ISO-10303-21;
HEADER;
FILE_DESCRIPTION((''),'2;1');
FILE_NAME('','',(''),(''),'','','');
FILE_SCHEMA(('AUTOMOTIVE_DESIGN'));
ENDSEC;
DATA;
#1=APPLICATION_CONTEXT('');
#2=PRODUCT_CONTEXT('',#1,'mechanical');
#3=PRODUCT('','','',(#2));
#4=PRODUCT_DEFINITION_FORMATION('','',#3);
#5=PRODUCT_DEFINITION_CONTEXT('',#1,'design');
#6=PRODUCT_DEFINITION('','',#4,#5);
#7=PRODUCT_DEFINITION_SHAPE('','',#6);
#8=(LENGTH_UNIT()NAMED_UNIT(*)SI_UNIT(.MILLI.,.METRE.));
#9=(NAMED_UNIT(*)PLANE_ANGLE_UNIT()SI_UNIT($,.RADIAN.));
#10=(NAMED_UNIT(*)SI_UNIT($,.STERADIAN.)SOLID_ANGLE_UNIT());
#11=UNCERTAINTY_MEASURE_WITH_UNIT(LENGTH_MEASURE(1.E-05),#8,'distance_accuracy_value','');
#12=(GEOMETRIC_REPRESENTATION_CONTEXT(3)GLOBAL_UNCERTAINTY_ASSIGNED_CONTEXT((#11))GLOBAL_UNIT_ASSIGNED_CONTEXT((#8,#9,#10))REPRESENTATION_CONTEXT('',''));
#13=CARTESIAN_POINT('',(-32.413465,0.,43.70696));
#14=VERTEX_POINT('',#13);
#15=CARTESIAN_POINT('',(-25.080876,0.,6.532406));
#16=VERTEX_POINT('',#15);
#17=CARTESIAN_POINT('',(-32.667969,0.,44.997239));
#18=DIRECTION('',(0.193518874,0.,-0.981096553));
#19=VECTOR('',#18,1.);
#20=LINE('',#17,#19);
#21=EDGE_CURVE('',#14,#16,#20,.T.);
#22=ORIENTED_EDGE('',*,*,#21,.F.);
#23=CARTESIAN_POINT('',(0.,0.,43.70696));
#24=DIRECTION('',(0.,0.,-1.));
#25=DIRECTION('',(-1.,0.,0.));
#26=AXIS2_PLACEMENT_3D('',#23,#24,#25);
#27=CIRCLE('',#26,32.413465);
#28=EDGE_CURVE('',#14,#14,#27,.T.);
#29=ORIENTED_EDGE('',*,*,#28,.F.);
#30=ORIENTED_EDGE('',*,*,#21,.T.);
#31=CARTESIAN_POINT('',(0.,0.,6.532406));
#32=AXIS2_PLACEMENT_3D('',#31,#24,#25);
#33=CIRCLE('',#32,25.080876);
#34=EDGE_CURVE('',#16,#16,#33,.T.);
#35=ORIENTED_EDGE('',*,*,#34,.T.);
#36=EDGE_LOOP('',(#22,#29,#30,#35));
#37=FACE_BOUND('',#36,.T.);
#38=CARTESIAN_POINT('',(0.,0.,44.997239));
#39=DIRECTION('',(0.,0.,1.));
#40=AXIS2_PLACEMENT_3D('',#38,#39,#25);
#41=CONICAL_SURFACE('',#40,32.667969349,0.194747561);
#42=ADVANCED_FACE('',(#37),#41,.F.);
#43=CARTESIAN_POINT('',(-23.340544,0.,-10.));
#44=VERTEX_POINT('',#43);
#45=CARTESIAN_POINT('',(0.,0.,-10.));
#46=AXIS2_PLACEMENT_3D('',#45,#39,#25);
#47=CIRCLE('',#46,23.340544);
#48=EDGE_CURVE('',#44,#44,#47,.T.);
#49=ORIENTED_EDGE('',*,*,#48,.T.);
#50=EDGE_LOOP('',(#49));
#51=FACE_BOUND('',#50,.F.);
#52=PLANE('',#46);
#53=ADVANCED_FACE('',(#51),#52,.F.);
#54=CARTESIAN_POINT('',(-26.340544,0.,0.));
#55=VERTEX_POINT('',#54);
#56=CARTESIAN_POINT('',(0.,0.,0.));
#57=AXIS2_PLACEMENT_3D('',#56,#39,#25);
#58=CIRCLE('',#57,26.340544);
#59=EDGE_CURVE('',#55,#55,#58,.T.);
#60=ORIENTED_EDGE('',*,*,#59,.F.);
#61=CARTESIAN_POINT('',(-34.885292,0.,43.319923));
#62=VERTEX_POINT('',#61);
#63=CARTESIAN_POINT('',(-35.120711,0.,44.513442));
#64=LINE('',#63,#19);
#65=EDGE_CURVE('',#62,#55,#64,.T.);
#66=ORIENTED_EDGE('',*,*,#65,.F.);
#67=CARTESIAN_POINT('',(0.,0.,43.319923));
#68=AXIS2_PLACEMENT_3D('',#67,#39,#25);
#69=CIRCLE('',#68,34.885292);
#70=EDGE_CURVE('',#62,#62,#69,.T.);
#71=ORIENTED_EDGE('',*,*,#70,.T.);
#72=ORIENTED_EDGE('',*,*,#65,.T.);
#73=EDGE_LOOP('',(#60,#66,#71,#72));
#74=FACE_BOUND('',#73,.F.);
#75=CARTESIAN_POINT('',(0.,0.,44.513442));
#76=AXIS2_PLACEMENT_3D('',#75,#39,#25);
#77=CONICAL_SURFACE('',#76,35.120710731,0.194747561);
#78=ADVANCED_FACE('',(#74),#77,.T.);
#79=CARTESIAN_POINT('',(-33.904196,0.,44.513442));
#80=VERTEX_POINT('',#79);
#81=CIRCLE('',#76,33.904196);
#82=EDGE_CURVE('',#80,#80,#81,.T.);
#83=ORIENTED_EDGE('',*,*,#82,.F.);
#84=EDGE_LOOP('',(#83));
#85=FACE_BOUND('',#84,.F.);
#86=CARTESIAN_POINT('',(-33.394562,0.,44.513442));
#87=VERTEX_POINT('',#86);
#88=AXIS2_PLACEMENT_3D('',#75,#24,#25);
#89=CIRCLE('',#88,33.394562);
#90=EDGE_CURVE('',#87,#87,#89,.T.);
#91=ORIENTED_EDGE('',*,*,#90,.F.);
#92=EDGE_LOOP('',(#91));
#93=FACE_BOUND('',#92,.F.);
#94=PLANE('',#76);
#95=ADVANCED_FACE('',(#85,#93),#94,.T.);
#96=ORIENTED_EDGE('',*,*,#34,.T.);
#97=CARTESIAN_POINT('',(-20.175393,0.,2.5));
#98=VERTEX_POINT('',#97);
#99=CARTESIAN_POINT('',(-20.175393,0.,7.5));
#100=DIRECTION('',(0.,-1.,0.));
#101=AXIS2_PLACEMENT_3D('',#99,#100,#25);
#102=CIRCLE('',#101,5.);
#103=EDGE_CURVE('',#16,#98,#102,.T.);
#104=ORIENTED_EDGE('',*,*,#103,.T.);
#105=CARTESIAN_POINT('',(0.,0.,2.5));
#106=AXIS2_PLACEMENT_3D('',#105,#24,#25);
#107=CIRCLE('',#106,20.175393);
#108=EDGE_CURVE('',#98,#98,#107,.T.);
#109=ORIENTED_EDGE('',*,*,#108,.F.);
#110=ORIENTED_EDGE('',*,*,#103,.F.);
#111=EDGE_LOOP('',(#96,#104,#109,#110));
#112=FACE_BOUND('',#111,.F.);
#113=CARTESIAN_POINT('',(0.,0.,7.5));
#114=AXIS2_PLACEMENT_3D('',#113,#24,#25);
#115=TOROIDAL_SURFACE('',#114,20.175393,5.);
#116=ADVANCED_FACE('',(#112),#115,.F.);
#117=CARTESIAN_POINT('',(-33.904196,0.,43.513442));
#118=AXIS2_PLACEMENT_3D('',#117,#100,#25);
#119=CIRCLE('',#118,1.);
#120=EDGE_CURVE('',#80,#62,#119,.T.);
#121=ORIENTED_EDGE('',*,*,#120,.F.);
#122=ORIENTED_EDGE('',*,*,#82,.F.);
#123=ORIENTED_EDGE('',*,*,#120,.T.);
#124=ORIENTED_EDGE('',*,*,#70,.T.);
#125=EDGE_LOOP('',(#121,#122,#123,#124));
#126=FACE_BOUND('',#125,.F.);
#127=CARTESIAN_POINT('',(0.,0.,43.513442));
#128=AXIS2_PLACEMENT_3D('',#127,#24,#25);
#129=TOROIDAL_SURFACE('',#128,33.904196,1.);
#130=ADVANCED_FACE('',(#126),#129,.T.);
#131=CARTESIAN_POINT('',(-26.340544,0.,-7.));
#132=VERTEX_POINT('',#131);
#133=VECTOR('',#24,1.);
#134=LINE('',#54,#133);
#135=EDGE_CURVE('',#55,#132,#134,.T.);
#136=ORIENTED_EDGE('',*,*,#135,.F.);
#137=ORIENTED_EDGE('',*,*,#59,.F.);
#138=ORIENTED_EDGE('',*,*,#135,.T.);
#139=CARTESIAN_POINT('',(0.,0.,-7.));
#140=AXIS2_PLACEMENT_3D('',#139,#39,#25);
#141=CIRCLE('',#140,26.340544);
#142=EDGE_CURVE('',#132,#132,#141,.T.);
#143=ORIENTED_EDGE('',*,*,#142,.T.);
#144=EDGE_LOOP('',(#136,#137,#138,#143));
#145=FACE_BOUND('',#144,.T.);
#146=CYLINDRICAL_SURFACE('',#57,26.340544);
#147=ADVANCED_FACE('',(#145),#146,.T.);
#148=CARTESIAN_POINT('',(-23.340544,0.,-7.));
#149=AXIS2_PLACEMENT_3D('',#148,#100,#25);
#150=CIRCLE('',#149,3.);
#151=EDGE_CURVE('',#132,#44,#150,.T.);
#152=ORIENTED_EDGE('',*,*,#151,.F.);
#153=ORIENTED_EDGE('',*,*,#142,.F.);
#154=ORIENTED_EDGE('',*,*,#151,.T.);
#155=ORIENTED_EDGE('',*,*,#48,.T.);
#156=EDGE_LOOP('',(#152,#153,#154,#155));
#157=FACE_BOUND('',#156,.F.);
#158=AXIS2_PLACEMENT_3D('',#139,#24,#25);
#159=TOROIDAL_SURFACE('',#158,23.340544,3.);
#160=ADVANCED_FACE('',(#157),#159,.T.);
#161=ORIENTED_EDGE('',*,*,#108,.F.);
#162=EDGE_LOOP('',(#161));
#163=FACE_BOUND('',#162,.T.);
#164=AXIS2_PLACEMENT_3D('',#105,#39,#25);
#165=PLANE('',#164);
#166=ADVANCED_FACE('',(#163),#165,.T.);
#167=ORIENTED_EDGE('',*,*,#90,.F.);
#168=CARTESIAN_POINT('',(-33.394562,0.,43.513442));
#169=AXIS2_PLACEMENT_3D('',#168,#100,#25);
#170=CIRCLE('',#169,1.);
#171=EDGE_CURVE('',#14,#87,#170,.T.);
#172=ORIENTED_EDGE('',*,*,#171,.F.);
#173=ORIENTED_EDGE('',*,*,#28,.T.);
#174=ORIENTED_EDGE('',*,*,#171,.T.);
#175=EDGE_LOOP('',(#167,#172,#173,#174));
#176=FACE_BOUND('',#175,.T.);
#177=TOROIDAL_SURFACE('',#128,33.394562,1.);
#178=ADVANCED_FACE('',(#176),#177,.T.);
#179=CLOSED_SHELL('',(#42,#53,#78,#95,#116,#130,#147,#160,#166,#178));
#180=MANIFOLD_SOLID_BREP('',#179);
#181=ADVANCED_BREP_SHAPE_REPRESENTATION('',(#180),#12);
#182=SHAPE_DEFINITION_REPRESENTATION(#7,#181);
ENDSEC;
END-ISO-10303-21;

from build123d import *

# Parameters (mm, degrees)
F2_T     = -2.5
F3_DEPTH = 10
F4_R     = 5
F5_R     = 1
F6_R     = 3


with BuildPart() as f1:
    # F0 (on Front) → F1 (revolve)
    with BuildSketch(Plane.XZ):
        Polygon((0, 44.5134416223), (-35.1207107306, 44.5134416223), (-26.3405442238, 0), (0, 0), align=None)
    revolve(axis=Axis((0, 0, 22.2567208111), (0, 0, 1)))

    # F2
    f2_openings = [f1.faces().sort_by_distance(p)[0] for p in [
        (0, 0, 44.513442),
    ]]
    offset(amount=F2_T, openings=f2_openings)

    # F3 (add): a face of the model
    f3_faces = [f1.faces().sort_by_distance(p)[0] for p in [
        (0, 0, 0),
    ]]
    extrude(f3_faces, amount=F3_DEPTH)

    # F4
    f4_edges = [f1.edges().sort_by_distance(p)[0] for p in [
        (24.285494, 0, 2.5),
    ]]
    fillet(f4_edges, radius=F4_R)

    # F5
    f5_edges = [f1.edges().sort_by_distance(p)[0] for p in [
        (32.572542, 0, 44.513442),
        (35.120711, 0, 44.513442),
    ]]
    fillet(f5_edges, radius=F5_R)

    # F6
    f6_edges = [f1.edges().sort_by_distance(p)[0] for p in [
        (26.340544, 0, -10),
    ]]
    fillet(f6_edges, radius=F6_R)


solid = f1.part
